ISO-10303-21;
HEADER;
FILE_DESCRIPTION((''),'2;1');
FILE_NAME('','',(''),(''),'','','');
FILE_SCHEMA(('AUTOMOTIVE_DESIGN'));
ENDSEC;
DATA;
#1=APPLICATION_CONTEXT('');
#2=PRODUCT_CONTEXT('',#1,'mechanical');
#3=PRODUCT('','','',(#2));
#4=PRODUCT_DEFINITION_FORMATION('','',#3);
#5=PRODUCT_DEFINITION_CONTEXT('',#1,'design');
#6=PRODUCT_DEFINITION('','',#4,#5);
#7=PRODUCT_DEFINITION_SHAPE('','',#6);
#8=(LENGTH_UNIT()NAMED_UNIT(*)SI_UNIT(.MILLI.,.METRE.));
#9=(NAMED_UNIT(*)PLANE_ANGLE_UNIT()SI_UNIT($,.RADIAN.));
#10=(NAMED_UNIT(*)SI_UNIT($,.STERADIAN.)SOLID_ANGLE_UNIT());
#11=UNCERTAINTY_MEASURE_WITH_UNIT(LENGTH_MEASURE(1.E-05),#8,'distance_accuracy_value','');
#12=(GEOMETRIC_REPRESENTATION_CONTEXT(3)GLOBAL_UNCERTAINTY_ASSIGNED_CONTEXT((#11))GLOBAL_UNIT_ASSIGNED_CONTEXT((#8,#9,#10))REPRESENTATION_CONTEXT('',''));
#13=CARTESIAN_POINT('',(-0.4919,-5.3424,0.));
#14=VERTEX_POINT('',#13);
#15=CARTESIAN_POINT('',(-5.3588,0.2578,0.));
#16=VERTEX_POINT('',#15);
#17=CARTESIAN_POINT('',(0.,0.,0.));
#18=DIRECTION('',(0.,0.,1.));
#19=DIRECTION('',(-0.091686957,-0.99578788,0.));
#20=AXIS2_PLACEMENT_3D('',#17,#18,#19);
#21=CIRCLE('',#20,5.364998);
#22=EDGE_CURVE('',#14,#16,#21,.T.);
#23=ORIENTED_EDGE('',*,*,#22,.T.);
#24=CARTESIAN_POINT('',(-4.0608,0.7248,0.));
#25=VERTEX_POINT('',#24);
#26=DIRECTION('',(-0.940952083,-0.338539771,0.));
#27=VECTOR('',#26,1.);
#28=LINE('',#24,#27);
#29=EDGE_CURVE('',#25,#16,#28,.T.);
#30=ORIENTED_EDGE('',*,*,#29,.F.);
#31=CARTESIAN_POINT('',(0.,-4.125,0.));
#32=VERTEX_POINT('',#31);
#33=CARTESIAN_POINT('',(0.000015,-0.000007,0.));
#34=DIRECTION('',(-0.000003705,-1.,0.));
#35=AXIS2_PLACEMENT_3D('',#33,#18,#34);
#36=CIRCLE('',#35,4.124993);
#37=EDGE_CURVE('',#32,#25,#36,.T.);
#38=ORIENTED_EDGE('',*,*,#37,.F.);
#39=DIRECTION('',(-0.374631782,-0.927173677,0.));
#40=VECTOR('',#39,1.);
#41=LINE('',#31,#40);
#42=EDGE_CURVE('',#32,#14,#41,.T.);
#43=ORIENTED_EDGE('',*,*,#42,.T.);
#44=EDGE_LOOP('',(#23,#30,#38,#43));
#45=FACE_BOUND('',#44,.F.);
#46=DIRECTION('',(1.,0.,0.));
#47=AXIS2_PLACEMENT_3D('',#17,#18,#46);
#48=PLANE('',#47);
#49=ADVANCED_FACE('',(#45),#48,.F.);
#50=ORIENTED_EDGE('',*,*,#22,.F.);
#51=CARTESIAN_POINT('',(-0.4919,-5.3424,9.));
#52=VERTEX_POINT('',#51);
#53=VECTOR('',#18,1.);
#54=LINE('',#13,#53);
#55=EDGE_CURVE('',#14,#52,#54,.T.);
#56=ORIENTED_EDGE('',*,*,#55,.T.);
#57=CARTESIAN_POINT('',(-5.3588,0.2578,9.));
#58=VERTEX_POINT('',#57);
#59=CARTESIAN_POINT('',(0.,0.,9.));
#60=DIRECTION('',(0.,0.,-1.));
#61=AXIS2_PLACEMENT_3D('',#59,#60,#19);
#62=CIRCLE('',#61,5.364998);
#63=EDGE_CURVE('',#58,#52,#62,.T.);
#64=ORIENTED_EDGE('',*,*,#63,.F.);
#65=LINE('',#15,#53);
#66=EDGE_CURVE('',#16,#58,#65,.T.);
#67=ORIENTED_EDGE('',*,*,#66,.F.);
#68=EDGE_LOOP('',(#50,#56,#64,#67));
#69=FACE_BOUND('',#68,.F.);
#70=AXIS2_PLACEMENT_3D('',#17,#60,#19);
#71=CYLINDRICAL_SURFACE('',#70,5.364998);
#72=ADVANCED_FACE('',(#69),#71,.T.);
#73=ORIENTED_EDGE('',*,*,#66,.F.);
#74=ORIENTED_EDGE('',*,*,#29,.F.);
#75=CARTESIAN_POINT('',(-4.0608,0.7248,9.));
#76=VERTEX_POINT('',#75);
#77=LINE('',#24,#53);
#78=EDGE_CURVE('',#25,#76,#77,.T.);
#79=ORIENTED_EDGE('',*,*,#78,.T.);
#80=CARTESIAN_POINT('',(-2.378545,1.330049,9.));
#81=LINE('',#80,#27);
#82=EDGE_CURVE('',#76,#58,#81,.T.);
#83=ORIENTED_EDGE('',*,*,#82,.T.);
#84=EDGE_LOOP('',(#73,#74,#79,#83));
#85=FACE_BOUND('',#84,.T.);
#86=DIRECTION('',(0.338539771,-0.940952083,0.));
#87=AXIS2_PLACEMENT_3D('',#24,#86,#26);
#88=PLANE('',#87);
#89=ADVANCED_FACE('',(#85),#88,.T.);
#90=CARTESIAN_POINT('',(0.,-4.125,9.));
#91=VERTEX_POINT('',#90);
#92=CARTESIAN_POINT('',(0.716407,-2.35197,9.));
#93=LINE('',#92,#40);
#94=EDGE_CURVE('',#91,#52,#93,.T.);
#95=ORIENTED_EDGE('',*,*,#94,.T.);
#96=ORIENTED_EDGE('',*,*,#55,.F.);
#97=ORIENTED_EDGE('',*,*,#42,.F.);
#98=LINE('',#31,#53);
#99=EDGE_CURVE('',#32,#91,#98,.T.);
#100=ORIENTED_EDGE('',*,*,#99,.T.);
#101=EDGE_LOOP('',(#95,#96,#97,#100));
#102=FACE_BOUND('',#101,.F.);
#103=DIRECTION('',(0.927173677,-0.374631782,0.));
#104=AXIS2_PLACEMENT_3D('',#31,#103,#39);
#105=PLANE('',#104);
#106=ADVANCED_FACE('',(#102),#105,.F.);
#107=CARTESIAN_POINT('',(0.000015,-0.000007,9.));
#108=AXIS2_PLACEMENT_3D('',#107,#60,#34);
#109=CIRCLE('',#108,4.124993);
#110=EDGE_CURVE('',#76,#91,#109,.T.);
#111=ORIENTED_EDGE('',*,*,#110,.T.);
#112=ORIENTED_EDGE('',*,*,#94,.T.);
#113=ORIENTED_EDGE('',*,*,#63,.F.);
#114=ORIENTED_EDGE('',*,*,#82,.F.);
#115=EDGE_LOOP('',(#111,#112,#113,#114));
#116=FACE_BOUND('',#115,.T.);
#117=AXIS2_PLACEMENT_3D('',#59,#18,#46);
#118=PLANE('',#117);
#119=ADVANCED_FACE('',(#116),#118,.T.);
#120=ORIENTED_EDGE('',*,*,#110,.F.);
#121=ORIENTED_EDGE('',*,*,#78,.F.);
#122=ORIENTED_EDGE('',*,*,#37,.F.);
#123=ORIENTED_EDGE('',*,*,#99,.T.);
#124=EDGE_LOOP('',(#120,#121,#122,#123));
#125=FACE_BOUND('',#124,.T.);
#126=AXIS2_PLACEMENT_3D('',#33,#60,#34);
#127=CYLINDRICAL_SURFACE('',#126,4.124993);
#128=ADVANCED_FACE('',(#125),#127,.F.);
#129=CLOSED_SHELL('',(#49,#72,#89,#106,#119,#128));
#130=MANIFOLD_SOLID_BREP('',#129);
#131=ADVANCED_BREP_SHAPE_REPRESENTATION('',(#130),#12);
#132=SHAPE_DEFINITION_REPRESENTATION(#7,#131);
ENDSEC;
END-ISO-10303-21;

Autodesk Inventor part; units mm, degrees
ref_plane "YZ Plane" through (0, 0, 0) normal (1, 0, 0) x (0, 1, 0)
ref_plane "XZ Plane" through (0, 0, 0) normal (0, 1, 0) x (-1, 0, 0)
ref_plane "XY Plane" through (0, 0, 0) normal (0, 0, 1) x (1, 0, 0)
sketch "Sketch1" plane through (0, 0, 0) normal (0, 0, 1) x (1, 0, 0)
  arc A0 (0, -4.125) -> (-4.0608, 0.7248) centre (0, 0) ccw
  line L0 (0, -4.125) -> (-4.0608, 0.7248)
  arc A1 (-0.4919, -5.3424) -> (-5.3588, 0.2578) centre (0, 0) ccw
  line L1 (0, -4.125) -> (-0.4919, -5.3424)
  line L2 (0, -4.125) -> (1.313, -4.125) construction
  line L3 (-4.0608, 0.7248) -> (-5.3588, 0.2578)
  dimension "d0" = 8.25
  dimension "d1" = 10.73
  dimension "d2" = 112
extrude "Extrusion1" add sketch "Sketch1" along normal blind 19 contours A0 L3 A1 L1
sketch "Sketch2" plane through (0, 0, 19) normal (0, 0, 1) x (1, 0, 0)
  arc A0 (-0.4919, -5.3424) -> (-5.3588, 0.2578) centre (0, 0) ccw projected
  line L0 (0, 5.365) -> (5.365, 0) construction
  line L1 (3.7936, 3.7936) -> (0, 5.365) construction
  line L2 (3.7936, 3.7936) -> (5.365, 0) construction
  line L3 (3.7936, 3.7936) -> (5.5269, 2.0604)
  line L4 (5.5269, 2.0604) -> (35.5269, 32.0604)
  line L5 (35.5269, 32.0604) -> (33.7936, 33.7936)
  line L6 (33.7936, 33.7936) -> (3.7936, 3.7936)
  line L7 (1.9965, 5.5907) -> (31.9965, 35.5907)
  line L8 (31.9965, 35.5907) -> (33.7936, 33.7936)
  line L9 (1.9965, 5.5907) -> (3.7936, 3.7936)
  line L10 (1.9965, 5.5907) -> (5.5269, 2.0604)
  line L11 (5.5269, 2.0604) -> (4.7391, 1.2726)
  line L12 (4.7391, 1.2726) -> (1.2088, 4.8029)
  line L13 (1.2088, 4.8029) -> (1.9965, 5.5907)
  line L14 (-3.7936, 3.7936) -> (-5.365, 0) construction
  line L15 (-3.7936, 3.7936) -> (-2.0604, 5.5269)
  line L16 (-2.0604, 5.5269) -> (-32.0604, 35.5269)
  line L17 (-32.0604, 35.5269) -> (-33.7936, 33.7936)
  line L18 (-33.7936, 33.7936) -> (-3.7936, 3.7936)
  line L19 (-5.5907, 1.9965) -> (-35.5907, 31.9965)
  line L20 (-35.5907, 31.9965) -> (-33.7936, 33.7936)
  line L21 (-5.5907, 1.9965) -> (-3.7936, 3.7936)
  line L22 (-5.5907, 1.9965) -> (-2.0604, 5.5269)
  line L23 (-2.0604, 5.5269) -> (-1.2726, 4.7391)
  line L24 (-1.2726, 4.7391) -> (-4.8029, 1.2088)
  line L25 (-4.8029, 1.2088) -> (-5.5907, 1.9965)
  line L26 (-3.7936, -3.7936) -> (0, -5.365) construction
  line L27 (-3.7936, -3.7936) -> (-5.5269, -2.0604)
  line L28 (-5.5269, -2.0604) -> (-35.5269, -32.0604)
  line L29 (-35.5269, -32.0604) -> (-33.7936, -33.7936)
  line L30 (-33.7936, -33.7936) -> (-3.7936, -3.7936)
  line L31 (-1.9965, -5.5907) -> (-31.9965, -35.5907)
  line L32 (-31.9965, -35.5907) -> (-33.7936, -33.7936)
  line L33 (-1.9965, -5.5907) -> (-3.7936, -3.7936)
  line L34 (-1.9965, -5.5907) -> (-5.5269, -2.0604)
  line L35 (-5.5269, -2.0604) -> (-4.7391, -1.2726)
  line L36 (-4.7391, -1.2726) -> (-1.2088, -4.8029)
  line L37 (-1.2088, -4.8029) -> (-1.9965, -5.5907)
  line L38 (3.7936, -3.7936) -> (5.365, 0) construction
  line L39 (3.7936, -3.7936) -> (2.0604, -5.5269)
  line L40 (2.0604, -5.5269) -> (32.0604, -35.5269)
  line L41 (32.0604, -35.5269) -> (33.7936, -33.7936)
  line L42 (33.7936, -33.7936) -> (3.7936, -3.7936)
  line L43 (5.5907, -1.9965) -> (35.5907, -31.9965)
  line L44 (35.5907, -31.9965) -> (33.7936, -33.7936)
  line L45 (5.5907, -1.9965) -> (3.7936, -3.7936)
  line L46 (5.5907, -1.9965) -> (2.0604, -5.5269)
  line L47 (2.0604, -5.5269) -> (1.2726, -4.7391)
  line L48 (1.2726, -4.7391) -> (4.8029, -1.2088)
  line L49 (4.8029, -1.2088) -> (5.5907, -1.9965)
  dimension "d5" = 30
  dimension "d6" = 30
  dimension "d11" = 360
extrude "Extrusion2" add sketch "Sketch2" against normal blind 2 contours L47 L48 L49 A0 | A0 L39 L47 | L23 L24 L25 A0 | A0 L15 L23 | L11 L12 L13 A0 | A0 L3 L11 | L42 L41 L40 L39 | L45 L43 L44 L42 | A0 L49 L45 | L6 L5 L4 L3 | L9 L7 L8 L6 | A0 L13 L9 | L18 L17 L16 L15 | L21 L19 L20 L18 | A0 L25 L21
sketch "Sketch3" plane through (0, 0, 19) normal (0, 0, 1) x (1, 0, 0)
  circle A0 centre (0, 0) radius 47.75
  circle A1 centre (0, 0) radius 49.75
  dimension "d13" = 95.5
  dimension "d14" = 99.5
extrude "Extrusion3" add sketch "Sketch3" against normal blind 2
sketch "Sketch4" plane through (0, 0, 19) normal (0, 0, 1) x (1, 0, 0)
  line L0 (-57.3156, 53.7161) -> (57.3156, 53.7161)
  line L1 (57.3156, 53.7161) -> (57.3156, -53.7161)
  line L2 (57.3156, -53.7161) -> (-57.3156, -53.7161)
  line L3 (-57.3156, -53.7161) -> (-57.3156, 53.7161)
  line L4 (-57.3156, 53.7161) -> (57.3156, -53.7161) construction
  line L5 (57.3156, 53.7161) -> (-57.3156, -53.7161) construction
  point P0 (0, 0)
extrude "Extrusion4" cut sketch "Sketch4" against normal blind 10
properties part number "GuardTest"
